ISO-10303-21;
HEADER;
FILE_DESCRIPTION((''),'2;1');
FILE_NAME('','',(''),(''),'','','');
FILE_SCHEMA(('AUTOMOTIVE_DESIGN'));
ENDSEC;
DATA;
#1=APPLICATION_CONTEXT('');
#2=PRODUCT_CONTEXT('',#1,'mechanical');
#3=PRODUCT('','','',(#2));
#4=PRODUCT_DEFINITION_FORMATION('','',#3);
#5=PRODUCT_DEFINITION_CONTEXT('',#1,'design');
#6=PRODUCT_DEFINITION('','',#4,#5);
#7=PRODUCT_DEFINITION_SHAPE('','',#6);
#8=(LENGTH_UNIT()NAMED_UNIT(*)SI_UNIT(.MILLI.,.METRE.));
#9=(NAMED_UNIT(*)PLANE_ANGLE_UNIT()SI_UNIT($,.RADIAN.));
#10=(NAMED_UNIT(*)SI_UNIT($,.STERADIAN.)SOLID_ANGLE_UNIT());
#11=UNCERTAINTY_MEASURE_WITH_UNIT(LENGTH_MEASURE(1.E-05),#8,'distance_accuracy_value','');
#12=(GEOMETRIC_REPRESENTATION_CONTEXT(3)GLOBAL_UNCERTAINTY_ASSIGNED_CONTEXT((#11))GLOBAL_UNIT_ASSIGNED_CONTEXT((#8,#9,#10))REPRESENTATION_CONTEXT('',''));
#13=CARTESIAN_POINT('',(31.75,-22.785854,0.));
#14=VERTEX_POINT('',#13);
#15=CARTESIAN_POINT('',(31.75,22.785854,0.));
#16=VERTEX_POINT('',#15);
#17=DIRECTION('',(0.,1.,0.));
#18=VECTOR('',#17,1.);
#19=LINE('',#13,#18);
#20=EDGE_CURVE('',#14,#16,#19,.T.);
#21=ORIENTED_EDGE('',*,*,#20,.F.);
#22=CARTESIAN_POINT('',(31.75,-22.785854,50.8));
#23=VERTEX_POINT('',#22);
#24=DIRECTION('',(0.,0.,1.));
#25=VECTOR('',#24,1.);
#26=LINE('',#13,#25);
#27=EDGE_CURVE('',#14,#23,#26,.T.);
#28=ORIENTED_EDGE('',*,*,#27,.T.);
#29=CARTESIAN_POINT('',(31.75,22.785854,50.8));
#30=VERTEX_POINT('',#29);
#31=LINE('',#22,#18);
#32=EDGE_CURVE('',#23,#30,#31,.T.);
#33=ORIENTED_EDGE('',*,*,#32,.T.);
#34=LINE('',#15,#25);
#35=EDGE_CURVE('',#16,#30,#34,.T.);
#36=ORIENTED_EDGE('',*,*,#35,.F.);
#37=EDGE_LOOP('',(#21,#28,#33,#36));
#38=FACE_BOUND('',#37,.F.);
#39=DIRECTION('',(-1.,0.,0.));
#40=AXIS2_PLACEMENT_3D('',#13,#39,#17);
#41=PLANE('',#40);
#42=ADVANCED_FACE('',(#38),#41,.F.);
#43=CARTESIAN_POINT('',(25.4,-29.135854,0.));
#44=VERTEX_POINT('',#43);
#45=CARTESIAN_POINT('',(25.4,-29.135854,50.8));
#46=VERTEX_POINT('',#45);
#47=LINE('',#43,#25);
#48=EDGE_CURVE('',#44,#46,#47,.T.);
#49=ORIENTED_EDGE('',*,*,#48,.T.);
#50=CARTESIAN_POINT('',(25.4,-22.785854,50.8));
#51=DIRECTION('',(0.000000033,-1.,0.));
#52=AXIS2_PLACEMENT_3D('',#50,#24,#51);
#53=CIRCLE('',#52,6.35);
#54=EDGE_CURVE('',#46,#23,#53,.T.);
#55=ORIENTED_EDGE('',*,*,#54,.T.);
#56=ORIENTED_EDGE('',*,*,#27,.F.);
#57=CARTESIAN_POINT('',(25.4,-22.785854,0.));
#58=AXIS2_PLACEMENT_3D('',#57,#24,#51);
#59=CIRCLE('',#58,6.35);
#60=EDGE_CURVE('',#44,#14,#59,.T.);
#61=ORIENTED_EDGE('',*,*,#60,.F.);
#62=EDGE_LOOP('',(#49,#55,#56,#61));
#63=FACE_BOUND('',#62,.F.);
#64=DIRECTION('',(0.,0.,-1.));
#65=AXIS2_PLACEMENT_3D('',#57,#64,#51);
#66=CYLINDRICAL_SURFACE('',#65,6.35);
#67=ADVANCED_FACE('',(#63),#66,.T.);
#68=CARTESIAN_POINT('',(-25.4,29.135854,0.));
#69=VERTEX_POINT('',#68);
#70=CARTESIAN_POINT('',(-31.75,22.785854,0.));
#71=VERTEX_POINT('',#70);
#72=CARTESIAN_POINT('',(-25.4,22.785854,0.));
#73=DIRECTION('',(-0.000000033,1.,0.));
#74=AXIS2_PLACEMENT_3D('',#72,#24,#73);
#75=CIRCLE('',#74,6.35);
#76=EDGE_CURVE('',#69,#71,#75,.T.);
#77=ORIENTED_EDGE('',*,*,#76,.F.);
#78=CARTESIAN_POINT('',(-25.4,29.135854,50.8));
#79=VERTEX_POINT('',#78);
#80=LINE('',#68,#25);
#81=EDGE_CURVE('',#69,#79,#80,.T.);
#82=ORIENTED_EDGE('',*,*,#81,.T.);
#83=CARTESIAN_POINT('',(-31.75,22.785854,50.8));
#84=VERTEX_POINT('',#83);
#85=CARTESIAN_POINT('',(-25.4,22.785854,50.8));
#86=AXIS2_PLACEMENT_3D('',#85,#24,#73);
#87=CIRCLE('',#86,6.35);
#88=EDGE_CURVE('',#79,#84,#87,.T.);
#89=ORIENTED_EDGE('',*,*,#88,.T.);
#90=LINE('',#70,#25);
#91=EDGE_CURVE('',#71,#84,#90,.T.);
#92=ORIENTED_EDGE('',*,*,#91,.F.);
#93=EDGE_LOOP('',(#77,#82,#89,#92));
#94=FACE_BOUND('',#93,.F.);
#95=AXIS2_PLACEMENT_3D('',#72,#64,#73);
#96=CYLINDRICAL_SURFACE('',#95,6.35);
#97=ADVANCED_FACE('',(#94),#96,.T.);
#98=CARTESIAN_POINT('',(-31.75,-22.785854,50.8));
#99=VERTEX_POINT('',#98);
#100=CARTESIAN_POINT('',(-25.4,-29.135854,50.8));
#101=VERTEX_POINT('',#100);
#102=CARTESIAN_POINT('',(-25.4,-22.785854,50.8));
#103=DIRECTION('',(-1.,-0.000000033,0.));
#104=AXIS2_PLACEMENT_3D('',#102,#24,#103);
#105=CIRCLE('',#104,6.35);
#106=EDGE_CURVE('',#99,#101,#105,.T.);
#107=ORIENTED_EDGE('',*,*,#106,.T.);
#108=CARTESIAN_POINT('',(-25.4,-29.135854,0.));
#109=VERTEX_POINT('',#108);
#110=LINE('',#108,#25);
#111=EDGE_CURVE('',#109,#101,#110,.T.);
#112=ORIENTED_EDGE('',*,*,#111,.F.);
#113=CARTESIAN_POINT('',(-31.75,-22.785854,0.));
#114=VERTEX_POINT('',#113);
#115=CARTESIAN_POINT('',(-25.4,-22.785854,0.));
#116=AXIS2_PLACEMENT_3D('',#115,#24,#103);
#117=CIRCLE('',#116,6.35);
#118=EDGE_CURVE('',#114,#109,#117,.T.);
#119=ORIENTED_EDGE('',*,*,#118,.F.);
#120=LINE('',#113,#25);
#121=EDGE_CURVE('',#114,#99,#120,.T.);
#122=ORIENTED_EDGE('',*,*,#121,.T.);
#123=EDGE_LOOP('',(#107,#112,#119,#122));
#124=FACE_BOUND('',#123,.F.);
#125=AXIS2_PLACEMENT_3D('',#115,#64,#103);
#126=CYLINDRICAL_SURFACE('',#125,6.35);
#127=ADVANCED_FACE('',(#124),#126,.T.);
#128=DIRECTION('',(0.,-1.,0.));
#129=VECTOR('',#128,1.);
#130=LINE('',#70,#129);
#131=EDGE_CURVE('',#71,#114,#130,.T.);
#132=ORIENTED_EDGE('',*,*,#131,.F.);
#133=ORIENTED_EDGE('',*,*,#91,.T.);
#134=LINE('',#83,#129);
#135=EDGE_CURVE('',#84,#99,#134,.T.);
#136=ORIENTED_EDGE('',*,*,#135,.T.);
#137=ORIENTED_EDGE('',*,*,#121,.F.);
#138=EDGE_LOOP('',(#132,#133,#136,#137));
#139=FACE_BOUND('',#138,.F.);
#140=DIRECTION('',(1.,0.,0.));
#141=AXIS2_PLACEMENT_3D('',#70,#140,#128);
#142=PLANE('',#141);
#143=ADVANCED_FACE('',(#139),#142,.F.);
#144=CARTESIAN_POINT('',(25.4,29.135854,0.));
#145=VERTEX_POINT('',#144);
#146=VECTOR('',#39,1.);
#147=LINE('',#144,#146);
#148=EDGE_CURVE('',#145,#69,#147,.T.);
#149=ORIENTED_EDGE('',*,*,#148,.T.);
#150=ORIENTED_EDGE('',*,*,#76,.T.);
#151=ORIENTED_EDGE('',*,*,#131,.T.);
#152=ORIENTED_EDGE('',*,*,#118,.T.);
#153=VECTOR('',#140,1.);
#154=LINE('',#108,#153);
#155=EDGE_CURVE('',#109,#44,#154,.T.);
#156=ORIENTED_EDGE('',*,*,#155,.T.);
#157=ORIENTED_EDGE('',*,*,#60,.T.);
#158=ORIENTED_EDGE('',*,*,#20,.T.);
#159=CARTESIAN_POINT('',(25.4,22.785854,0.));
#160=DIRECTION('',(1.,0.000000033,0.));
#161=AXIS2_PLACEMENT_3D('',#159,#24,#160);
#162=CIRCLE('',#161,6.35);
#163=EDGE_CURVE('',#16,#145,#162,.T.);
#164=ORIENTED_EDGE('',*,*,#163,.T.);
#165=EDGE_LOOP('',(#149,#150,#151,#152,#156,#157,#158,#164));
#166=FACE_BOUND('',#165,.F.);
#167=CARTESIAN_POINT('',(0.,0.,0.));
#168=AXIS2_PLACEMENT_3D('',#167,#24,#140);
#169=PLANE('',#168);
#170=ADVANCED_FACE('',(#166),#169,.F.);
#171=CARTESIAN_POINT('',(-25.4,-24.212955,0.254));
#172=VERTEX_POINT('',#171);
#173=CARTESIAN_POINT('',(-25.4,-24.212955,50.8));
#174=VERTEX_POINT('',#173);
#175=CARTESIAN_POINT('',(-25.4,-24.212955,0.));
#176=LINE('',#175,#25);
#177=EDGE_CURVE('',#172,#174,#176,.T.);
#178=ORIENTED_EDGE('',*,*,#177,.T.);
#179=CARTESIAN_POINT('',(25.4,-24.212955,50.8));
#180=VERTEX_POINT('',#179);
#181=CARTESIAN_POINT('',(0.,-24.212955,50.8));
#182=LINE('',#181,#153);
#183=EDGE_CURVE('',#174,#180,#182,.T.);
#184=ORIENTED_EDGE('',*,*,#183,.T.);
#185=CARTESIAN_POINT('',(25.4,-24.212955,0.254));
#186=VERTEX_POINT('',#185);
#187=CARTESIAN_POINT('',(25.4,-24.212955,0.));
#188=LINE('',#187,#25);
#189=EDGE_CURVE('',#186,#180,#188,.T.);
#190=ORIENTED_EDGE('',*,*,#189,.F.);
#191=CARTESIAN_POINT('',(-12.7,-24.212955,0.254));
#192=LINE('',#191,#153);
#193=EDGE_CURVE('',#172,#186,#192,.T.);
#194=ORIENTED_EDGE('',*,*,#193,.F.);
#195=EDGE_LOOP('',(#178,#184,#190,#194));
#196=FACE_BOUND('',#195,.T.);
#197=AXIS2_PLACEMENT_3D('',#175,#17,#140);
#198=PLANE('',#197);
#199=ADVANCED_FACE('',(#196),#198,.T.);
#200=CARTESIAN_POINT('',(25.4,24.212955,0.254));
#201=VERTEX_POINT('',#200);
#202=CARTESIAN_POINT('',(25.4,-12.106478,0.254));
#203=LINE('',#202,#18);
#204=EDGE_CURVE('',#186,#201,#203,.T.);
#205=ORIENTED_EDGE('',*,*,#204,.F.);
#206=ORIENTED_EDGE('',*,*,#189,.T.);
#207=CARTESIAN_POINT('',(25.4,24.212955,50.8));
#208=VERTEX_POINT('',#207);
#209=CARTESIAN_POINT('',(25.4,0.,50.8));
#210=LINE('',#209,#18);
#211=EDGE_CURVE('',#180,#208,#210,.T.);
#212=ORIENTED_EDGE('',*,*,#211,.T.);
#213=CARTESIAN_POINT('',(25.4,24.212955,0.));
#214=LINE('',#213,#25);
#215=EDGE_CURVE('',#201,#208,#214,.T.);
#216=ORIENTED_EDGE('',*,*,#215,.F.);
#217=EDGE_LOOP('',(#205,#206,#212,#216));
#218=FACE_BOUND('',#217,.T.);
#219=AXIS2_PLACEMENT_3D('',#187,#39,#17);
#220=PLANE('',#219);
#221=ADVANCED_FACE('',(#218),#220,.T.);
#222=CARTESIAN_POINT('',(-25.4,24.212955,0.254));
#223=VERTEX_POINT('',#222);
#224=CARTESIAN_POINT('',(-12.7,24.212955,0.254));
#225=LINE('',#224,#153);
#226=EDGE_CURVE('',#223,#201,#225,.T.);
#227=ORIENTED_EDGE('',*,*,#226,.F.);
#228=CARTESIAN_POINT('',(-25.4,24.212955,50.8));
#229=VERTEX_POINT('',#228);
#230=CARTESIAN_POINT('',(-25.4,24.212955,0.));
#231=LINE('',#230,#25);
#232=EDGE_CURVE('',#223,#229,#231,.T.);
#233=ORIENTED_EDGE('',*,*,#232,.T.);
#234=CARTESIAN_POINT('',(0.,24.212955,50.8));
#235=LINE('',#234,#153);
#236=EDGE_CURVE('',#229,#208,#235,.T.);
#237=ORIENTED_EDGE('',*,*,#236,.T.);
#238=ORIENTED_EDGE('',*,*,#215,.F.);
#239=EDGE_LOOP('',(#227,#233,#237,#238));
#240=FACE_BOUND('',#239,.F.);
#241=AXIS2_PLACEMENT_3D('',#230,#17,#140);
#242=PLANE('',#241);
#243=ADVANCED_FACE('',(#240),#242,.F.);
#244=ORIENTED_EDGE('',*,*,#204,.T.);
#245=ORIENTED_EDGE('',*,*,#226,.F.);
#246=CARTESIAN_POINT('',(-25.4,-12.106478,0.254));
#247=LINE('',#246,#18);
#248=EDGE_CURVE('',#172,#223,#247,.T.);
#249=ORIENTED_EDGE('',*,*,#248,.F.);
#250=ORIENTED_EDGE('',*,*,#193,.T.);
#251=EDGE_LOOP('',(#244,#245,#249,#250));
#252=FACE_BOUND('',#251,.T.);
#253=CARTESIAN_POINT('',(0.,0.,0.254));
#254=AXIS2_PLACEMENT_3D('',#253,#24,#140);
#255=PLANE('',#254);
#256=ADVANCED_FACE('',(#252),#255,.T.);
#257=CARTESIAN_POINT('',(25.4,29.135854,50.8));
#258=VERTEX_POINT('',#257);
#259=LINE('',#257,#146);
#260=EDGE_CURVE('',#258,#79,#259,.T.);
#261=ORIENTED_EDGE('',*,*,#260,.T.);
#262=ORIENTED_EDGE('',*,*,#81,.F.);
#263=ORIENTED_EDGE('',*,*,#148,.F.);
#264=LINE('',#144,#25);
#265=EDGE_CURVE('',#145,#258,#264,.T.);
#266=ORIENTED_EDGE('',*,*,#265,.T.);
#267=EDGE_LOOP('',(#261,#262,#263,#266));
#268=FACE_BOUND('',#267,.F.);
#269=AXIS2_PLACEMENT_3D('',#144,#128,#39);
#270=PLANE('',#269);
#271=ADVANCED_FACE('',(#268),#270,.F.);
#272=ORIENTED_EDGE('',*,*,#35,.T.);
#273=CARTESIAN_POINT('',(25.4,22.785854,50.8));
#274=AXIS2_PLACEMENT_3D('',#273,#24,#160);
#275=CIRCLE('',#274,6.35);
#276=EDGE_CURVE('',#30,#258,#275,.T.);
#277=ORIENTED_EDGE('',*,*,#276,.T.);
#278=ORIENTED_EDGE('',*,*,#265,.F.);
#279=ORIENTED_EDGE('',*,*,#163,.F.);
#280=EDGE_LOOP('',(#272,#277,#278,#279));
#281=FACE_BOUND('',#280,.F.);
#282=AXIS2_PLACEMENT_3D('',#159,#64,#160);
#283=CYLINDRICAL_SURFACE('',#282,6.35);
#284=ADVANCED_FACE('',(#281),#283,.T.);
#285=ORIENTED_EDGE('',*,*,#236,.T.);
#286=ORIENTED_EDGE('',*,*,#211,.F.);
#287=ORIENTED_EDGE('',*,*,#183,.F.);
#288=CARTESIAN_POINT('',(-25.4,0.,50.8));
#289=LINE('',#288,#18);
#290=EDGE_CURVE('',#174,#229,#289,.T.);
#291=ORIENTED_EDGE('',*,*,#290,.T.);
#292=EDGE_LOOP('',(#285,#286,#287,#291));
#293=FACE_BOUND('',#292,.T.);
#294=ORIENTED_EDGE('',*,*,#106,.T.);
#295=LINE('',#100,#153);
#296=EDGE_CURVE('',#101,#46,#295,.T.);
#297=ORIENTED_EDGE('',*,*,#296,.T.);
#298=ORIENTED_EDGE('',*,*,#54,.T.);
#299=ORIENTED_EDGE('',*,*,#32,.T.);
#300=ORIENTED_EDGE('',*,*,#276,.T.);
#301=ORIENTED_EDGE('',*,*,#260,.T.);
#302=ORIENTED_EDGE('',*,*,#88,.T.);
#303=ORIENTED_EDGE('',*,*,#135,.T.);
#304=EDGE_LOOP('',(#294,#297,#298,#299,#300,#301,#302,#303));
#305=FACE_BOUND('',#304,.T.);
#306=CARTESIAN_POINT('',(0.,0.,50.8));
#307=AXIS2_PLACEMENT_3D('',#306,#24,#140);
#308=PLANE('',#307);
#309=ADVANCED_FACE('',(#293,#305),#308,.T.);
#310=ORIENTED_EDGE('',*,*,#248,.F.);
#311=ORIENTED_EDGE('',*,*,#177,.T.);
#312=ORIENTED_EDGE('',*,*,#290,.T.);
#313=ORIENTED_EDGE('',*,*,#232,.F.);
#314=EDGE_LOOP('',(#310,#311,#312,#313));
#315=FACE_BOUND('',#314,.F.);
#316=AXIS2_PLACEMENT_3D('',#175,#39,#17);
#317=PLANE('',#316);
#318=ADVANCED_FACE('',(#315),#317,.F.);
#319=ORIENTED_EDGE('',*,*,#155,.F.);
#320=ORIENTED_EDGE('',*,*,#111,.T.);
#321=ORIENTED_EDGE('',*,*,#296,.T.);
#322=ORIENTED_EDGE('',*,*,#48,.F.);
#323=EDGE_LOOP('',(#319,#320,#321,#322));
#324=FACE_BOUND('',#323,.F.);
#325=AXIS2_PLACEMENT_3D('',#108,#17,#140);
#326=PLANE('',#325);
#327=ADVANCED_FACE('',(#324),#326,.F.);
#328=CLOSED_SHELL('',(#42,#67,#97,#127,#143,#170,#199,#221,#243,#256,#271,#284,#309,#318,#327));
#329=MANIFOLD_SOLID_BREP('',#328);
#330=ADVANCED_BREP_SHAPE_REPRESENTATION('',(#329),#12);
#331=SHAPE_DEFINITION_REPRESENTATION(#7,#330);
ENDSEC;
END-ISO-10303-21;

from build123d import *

# Parameters (mm, degrees)
F0_W     = 50.8
F0_H     = 48.42591
F1_DEPTH = 50.8
F2_W     = 51.555392
F2_H     = 49.770784
F3_DEPTH = 0.254


with BuildPart() as f1:
    # F0 (on Top) → F1 (new body)
    with BuildSketch(Plane.XY):
        with BuildLine():
            ThreePointArc((31.75, 22.785854), (29.890128, 27.275982), (25.4, 29.135854))
            Line((25.4, 29.135854), (-25.4, 29.135854))
            ThreePointArc((-25.4, 29.135854), (-29.890128, 27.275982), (-31.75, 22.785854))
            Line((-31.75, 22.785854), (-31.75, -22.785854))
            ThreePointArc((-31.75, -22.785854), (-29.890128, -27.275982), (-25.4, -29.135854))
            Line((-25.4, -29.135854), (25.4, -29.135854))
            ThreePointArc((25.4, -29.135854), (29.890128, -27.275982), (31.75, -22.785854))
            Line((31.75, -22.785854), (31.75, 22.785854))
        make_face()
        Rectangle(F0_W, F0_H, mode=Mode.SUBTRACT)
    extrude(amount=F1_DEPTH)

    # F2 (on Top) → F3 (join)
    with BuildSketch(Plane.XY):
        Rectangle(F2_W, F2_H)
    extrude(amount=F3_DEPTH)


solid = f1.part
